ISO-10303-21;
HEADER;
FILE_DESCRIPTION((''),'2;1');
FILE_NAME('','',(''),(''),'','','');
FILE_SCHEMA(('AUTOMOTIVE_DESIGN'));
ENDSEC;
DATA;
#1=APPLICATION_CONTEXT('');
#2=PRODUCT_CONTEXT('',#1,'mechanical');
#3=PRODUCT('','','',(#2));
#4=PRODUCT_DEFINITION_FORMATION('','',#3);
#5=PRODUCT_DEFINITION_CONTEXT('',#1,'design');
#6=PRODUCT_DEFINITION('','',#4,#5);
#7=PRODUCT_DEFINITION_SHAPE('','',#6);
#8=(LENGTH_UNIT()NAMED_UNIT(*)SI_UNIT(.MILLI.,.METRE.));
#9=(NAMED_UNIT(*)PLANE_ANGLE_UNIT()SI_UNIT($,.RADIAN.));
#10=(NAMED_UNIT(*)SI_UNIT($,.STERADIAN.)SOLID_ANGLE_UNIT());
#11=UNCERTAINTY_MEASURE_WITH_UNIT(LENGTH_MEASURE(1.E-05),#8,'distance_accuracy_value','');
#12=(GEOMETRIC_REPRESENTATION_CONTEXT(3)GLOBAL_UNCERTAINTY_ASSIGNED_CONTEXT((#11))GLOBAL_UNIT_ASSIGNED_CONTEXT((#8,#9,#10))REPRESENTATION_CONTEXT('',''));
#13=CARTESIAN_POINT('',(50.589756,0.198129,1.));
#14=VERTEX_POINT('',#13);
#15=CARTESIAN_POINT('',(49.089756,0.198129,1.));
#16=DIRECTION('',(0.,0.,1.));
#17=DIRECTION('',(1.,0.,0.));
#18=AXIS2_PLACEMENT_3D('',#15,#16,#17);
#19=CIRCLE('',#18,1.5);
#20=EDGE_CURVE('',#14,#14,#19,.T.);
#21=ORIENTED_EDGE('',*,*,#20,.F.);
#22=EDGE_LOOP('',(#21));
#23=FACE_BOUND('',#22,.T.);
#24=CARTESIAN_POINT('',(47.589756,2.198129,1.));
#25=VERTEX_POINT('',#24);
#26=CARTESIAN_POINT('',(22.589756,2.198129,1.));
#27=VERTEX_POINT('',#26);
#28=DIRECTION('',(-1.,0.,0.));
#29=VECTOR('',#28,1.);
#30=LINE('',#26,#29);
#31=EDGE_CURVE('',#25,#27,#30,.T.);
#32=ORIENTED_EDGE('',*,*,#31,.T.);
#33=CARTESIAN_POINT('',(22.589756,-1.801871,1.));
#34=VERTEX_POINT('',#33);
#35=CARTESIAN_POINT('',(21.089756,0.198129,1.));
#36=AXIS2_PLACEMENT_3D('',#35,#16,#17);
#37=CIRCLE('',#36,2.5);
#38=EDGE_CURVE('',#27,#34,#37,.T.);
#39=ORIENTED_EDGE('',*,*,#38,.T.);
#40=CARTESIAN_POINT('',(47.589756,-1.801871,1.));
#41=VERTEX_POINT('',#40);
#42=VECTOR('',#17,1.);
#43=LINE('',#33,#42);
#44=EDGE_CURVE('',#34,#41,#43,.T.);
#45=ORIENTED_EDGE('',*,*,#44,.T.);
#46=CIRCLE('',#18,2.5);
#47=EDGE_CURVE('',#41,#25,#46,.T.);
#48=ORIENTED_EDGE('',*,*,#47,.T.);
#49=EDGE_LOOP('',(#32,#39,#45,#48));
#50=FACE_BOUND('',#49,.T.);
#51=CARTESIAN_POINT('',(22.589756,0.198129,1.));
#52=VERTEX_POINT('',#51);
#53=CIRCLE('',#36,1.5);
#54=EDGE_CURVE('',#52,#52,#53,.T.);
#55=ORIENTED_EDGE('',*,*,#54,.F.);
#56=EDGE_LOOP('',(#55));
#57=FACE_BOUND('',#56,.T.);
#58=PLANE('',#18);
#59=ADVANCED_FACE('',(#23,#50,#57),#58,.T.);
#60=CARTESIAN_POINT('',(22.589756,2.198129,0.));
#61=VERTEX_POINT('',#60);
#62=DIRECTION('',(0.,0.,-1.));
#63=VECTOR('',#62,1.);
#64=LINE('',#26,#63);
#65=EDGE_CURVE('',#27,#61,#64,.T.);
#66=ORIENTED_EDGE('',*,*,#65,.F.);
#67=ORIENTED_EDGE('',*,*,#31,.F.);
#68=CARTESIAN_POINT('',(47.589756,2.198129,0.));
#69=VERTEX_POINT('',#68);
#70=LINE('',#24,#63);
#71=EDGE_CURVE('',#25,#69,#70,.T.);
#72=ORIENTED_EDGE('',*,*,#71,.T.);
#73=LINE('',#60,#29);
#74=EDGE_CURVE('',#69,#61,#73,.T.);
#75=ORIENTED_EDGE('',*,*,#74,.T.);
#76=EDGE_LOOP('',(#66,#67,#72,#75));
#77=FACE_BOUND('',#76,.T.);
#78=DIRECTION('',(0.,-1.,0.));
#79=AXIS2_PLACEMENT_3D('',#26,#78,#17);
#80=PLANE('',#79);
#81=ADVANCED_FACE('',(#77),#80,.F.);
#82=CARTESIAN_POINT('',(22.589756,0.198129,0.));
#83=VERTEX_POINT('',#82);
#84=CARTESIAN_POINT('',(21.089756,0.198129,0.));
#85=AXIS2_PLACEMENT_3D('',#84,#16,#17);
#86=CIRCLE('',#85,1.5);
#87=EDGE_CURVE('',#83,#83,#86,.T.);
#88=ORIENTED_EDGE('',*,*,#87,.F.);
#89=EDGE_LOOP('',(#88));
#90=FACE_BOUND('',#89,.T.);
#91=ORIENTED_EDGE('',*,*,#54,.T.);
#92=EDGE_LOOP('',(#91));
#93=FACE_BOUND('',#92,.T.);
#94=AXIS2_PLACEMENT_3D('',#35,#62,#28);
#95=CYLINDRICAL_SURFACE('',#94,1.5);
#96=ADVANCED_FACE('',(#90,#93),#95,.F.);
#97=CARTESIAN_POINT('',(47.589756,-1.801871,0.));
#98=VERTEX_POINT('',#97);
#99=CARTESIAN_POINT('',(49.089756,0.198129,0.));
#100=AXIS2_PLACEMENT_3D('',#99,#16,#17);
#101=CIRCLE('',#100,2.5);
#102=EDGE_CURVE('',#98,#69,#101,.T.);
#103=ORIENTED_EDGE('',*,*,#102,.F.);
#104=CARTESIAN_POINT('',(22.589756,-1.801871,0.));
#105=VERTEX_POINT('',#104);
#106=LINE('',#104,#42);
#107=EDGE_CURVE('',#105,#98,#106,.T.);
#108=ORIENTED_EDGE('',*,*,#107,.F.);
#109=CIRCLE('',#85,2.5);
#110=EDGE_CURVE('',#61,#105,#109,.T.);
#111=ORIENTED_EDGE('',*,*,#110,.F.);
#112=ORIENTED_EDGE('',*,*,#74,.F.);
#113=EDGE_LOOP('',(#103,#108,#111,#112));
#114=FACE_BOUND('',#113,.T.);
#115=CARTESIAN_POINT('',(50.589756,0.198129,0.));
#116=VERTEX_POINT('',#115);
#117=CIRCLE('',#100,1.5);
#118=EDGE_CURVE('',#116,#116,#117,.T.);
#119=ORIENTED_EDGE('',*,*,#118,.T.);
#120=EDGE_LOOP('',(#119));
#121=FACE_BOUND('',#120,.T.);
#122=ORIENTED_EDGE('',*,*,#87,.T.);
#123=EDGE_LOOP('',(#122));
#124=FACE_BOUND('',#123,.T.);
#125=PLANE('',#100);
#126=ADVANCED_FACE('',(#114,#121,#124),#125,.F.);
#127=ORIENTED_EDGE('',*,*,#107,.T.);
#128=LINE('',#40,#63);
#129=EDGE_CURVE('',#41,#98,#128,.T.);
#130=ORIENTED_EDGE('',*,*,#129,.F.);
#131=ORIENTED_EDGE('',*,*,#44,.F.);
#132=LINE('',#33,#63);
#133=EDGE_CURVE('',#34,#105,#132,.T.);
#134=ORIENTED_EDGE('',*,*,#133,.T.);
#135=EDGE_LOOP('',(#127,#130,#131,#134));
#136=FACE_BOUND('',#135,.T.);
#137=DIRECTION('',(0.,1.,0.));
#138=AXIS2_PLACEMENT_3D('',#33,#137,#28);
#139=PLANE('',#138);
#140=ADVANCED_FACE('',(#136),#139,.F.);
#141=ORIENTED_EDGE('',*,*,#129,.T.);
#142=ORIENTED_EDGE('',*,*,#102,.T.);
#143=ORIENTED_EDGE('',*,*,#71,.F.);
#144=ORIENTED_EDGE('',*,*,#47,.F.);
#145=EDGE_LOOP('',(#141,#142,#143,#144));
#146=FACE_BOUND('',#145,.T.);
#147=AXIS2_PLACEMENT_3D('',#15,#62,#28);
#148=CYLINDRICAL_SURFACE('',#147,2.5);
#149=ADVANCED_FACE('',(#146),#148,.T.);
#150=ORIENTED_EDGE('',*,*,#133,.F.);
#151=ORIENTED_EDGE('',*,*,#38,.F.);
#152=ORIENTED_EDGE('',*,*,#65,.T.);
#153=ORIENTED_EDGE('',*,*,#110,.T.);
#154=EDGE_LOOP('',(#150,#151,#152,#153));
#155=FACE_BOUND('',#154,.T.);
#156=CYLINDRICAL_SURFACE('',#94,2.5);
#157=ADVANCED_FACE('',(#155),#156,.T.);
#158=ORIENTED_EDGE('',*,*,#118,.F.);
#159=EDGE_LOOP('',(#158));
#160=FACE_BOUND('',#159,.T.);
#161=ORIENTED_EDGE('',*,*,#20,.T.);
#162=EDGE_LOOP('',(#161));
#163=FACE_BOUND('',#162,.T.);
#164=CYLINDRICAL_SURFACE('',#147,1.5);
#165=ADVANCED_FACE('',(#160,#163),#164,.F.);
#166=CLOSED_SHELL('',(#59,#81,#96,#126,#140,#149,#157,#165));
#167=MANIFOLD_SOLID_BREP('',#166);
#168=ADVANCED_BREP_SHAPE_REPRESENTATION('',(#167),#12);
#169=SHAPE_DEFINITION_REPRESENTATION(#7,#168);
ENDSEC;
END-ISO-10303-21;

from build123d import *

# Parameters (mm, degrees)
SKETCH_1_R      = 1.5
EXTRUDE_1_DEPTH = 1


with BuildPart() as part:
    # 草图1 → 凸台-拉伸1 (new body)
    with BuildSketch(Plane.XY):
        with BuildLine():
            Line((22.589755848, 2.198128931), (47.589755848, 2.198128931))
            ThreePointArc((47.589755848, 2.198128931), (51.589755848, 0.198128931), (47.589755848, -1.801871069))
            Line((47.589755848, -1.801871069), (22.589755848, -1.801871069))
            ThreePointArc((22.589755848, -1.801871069), (18.589755848, 0.198128931), (22.589755848, 2.198128931))
        make_face()
        with Locations((49.089755848, 0.198128931)):
            Circle(SKETCH_1_R, mode=Mode.SUBTRACT)
        with Locations((21.089755848, 0.198128931)):
            Circle(SKETCH_1_R, mode=Mode.SUBTRACT)
    extrude(amount=EXTRUDE_1_DEPTH)


solid = part.part
